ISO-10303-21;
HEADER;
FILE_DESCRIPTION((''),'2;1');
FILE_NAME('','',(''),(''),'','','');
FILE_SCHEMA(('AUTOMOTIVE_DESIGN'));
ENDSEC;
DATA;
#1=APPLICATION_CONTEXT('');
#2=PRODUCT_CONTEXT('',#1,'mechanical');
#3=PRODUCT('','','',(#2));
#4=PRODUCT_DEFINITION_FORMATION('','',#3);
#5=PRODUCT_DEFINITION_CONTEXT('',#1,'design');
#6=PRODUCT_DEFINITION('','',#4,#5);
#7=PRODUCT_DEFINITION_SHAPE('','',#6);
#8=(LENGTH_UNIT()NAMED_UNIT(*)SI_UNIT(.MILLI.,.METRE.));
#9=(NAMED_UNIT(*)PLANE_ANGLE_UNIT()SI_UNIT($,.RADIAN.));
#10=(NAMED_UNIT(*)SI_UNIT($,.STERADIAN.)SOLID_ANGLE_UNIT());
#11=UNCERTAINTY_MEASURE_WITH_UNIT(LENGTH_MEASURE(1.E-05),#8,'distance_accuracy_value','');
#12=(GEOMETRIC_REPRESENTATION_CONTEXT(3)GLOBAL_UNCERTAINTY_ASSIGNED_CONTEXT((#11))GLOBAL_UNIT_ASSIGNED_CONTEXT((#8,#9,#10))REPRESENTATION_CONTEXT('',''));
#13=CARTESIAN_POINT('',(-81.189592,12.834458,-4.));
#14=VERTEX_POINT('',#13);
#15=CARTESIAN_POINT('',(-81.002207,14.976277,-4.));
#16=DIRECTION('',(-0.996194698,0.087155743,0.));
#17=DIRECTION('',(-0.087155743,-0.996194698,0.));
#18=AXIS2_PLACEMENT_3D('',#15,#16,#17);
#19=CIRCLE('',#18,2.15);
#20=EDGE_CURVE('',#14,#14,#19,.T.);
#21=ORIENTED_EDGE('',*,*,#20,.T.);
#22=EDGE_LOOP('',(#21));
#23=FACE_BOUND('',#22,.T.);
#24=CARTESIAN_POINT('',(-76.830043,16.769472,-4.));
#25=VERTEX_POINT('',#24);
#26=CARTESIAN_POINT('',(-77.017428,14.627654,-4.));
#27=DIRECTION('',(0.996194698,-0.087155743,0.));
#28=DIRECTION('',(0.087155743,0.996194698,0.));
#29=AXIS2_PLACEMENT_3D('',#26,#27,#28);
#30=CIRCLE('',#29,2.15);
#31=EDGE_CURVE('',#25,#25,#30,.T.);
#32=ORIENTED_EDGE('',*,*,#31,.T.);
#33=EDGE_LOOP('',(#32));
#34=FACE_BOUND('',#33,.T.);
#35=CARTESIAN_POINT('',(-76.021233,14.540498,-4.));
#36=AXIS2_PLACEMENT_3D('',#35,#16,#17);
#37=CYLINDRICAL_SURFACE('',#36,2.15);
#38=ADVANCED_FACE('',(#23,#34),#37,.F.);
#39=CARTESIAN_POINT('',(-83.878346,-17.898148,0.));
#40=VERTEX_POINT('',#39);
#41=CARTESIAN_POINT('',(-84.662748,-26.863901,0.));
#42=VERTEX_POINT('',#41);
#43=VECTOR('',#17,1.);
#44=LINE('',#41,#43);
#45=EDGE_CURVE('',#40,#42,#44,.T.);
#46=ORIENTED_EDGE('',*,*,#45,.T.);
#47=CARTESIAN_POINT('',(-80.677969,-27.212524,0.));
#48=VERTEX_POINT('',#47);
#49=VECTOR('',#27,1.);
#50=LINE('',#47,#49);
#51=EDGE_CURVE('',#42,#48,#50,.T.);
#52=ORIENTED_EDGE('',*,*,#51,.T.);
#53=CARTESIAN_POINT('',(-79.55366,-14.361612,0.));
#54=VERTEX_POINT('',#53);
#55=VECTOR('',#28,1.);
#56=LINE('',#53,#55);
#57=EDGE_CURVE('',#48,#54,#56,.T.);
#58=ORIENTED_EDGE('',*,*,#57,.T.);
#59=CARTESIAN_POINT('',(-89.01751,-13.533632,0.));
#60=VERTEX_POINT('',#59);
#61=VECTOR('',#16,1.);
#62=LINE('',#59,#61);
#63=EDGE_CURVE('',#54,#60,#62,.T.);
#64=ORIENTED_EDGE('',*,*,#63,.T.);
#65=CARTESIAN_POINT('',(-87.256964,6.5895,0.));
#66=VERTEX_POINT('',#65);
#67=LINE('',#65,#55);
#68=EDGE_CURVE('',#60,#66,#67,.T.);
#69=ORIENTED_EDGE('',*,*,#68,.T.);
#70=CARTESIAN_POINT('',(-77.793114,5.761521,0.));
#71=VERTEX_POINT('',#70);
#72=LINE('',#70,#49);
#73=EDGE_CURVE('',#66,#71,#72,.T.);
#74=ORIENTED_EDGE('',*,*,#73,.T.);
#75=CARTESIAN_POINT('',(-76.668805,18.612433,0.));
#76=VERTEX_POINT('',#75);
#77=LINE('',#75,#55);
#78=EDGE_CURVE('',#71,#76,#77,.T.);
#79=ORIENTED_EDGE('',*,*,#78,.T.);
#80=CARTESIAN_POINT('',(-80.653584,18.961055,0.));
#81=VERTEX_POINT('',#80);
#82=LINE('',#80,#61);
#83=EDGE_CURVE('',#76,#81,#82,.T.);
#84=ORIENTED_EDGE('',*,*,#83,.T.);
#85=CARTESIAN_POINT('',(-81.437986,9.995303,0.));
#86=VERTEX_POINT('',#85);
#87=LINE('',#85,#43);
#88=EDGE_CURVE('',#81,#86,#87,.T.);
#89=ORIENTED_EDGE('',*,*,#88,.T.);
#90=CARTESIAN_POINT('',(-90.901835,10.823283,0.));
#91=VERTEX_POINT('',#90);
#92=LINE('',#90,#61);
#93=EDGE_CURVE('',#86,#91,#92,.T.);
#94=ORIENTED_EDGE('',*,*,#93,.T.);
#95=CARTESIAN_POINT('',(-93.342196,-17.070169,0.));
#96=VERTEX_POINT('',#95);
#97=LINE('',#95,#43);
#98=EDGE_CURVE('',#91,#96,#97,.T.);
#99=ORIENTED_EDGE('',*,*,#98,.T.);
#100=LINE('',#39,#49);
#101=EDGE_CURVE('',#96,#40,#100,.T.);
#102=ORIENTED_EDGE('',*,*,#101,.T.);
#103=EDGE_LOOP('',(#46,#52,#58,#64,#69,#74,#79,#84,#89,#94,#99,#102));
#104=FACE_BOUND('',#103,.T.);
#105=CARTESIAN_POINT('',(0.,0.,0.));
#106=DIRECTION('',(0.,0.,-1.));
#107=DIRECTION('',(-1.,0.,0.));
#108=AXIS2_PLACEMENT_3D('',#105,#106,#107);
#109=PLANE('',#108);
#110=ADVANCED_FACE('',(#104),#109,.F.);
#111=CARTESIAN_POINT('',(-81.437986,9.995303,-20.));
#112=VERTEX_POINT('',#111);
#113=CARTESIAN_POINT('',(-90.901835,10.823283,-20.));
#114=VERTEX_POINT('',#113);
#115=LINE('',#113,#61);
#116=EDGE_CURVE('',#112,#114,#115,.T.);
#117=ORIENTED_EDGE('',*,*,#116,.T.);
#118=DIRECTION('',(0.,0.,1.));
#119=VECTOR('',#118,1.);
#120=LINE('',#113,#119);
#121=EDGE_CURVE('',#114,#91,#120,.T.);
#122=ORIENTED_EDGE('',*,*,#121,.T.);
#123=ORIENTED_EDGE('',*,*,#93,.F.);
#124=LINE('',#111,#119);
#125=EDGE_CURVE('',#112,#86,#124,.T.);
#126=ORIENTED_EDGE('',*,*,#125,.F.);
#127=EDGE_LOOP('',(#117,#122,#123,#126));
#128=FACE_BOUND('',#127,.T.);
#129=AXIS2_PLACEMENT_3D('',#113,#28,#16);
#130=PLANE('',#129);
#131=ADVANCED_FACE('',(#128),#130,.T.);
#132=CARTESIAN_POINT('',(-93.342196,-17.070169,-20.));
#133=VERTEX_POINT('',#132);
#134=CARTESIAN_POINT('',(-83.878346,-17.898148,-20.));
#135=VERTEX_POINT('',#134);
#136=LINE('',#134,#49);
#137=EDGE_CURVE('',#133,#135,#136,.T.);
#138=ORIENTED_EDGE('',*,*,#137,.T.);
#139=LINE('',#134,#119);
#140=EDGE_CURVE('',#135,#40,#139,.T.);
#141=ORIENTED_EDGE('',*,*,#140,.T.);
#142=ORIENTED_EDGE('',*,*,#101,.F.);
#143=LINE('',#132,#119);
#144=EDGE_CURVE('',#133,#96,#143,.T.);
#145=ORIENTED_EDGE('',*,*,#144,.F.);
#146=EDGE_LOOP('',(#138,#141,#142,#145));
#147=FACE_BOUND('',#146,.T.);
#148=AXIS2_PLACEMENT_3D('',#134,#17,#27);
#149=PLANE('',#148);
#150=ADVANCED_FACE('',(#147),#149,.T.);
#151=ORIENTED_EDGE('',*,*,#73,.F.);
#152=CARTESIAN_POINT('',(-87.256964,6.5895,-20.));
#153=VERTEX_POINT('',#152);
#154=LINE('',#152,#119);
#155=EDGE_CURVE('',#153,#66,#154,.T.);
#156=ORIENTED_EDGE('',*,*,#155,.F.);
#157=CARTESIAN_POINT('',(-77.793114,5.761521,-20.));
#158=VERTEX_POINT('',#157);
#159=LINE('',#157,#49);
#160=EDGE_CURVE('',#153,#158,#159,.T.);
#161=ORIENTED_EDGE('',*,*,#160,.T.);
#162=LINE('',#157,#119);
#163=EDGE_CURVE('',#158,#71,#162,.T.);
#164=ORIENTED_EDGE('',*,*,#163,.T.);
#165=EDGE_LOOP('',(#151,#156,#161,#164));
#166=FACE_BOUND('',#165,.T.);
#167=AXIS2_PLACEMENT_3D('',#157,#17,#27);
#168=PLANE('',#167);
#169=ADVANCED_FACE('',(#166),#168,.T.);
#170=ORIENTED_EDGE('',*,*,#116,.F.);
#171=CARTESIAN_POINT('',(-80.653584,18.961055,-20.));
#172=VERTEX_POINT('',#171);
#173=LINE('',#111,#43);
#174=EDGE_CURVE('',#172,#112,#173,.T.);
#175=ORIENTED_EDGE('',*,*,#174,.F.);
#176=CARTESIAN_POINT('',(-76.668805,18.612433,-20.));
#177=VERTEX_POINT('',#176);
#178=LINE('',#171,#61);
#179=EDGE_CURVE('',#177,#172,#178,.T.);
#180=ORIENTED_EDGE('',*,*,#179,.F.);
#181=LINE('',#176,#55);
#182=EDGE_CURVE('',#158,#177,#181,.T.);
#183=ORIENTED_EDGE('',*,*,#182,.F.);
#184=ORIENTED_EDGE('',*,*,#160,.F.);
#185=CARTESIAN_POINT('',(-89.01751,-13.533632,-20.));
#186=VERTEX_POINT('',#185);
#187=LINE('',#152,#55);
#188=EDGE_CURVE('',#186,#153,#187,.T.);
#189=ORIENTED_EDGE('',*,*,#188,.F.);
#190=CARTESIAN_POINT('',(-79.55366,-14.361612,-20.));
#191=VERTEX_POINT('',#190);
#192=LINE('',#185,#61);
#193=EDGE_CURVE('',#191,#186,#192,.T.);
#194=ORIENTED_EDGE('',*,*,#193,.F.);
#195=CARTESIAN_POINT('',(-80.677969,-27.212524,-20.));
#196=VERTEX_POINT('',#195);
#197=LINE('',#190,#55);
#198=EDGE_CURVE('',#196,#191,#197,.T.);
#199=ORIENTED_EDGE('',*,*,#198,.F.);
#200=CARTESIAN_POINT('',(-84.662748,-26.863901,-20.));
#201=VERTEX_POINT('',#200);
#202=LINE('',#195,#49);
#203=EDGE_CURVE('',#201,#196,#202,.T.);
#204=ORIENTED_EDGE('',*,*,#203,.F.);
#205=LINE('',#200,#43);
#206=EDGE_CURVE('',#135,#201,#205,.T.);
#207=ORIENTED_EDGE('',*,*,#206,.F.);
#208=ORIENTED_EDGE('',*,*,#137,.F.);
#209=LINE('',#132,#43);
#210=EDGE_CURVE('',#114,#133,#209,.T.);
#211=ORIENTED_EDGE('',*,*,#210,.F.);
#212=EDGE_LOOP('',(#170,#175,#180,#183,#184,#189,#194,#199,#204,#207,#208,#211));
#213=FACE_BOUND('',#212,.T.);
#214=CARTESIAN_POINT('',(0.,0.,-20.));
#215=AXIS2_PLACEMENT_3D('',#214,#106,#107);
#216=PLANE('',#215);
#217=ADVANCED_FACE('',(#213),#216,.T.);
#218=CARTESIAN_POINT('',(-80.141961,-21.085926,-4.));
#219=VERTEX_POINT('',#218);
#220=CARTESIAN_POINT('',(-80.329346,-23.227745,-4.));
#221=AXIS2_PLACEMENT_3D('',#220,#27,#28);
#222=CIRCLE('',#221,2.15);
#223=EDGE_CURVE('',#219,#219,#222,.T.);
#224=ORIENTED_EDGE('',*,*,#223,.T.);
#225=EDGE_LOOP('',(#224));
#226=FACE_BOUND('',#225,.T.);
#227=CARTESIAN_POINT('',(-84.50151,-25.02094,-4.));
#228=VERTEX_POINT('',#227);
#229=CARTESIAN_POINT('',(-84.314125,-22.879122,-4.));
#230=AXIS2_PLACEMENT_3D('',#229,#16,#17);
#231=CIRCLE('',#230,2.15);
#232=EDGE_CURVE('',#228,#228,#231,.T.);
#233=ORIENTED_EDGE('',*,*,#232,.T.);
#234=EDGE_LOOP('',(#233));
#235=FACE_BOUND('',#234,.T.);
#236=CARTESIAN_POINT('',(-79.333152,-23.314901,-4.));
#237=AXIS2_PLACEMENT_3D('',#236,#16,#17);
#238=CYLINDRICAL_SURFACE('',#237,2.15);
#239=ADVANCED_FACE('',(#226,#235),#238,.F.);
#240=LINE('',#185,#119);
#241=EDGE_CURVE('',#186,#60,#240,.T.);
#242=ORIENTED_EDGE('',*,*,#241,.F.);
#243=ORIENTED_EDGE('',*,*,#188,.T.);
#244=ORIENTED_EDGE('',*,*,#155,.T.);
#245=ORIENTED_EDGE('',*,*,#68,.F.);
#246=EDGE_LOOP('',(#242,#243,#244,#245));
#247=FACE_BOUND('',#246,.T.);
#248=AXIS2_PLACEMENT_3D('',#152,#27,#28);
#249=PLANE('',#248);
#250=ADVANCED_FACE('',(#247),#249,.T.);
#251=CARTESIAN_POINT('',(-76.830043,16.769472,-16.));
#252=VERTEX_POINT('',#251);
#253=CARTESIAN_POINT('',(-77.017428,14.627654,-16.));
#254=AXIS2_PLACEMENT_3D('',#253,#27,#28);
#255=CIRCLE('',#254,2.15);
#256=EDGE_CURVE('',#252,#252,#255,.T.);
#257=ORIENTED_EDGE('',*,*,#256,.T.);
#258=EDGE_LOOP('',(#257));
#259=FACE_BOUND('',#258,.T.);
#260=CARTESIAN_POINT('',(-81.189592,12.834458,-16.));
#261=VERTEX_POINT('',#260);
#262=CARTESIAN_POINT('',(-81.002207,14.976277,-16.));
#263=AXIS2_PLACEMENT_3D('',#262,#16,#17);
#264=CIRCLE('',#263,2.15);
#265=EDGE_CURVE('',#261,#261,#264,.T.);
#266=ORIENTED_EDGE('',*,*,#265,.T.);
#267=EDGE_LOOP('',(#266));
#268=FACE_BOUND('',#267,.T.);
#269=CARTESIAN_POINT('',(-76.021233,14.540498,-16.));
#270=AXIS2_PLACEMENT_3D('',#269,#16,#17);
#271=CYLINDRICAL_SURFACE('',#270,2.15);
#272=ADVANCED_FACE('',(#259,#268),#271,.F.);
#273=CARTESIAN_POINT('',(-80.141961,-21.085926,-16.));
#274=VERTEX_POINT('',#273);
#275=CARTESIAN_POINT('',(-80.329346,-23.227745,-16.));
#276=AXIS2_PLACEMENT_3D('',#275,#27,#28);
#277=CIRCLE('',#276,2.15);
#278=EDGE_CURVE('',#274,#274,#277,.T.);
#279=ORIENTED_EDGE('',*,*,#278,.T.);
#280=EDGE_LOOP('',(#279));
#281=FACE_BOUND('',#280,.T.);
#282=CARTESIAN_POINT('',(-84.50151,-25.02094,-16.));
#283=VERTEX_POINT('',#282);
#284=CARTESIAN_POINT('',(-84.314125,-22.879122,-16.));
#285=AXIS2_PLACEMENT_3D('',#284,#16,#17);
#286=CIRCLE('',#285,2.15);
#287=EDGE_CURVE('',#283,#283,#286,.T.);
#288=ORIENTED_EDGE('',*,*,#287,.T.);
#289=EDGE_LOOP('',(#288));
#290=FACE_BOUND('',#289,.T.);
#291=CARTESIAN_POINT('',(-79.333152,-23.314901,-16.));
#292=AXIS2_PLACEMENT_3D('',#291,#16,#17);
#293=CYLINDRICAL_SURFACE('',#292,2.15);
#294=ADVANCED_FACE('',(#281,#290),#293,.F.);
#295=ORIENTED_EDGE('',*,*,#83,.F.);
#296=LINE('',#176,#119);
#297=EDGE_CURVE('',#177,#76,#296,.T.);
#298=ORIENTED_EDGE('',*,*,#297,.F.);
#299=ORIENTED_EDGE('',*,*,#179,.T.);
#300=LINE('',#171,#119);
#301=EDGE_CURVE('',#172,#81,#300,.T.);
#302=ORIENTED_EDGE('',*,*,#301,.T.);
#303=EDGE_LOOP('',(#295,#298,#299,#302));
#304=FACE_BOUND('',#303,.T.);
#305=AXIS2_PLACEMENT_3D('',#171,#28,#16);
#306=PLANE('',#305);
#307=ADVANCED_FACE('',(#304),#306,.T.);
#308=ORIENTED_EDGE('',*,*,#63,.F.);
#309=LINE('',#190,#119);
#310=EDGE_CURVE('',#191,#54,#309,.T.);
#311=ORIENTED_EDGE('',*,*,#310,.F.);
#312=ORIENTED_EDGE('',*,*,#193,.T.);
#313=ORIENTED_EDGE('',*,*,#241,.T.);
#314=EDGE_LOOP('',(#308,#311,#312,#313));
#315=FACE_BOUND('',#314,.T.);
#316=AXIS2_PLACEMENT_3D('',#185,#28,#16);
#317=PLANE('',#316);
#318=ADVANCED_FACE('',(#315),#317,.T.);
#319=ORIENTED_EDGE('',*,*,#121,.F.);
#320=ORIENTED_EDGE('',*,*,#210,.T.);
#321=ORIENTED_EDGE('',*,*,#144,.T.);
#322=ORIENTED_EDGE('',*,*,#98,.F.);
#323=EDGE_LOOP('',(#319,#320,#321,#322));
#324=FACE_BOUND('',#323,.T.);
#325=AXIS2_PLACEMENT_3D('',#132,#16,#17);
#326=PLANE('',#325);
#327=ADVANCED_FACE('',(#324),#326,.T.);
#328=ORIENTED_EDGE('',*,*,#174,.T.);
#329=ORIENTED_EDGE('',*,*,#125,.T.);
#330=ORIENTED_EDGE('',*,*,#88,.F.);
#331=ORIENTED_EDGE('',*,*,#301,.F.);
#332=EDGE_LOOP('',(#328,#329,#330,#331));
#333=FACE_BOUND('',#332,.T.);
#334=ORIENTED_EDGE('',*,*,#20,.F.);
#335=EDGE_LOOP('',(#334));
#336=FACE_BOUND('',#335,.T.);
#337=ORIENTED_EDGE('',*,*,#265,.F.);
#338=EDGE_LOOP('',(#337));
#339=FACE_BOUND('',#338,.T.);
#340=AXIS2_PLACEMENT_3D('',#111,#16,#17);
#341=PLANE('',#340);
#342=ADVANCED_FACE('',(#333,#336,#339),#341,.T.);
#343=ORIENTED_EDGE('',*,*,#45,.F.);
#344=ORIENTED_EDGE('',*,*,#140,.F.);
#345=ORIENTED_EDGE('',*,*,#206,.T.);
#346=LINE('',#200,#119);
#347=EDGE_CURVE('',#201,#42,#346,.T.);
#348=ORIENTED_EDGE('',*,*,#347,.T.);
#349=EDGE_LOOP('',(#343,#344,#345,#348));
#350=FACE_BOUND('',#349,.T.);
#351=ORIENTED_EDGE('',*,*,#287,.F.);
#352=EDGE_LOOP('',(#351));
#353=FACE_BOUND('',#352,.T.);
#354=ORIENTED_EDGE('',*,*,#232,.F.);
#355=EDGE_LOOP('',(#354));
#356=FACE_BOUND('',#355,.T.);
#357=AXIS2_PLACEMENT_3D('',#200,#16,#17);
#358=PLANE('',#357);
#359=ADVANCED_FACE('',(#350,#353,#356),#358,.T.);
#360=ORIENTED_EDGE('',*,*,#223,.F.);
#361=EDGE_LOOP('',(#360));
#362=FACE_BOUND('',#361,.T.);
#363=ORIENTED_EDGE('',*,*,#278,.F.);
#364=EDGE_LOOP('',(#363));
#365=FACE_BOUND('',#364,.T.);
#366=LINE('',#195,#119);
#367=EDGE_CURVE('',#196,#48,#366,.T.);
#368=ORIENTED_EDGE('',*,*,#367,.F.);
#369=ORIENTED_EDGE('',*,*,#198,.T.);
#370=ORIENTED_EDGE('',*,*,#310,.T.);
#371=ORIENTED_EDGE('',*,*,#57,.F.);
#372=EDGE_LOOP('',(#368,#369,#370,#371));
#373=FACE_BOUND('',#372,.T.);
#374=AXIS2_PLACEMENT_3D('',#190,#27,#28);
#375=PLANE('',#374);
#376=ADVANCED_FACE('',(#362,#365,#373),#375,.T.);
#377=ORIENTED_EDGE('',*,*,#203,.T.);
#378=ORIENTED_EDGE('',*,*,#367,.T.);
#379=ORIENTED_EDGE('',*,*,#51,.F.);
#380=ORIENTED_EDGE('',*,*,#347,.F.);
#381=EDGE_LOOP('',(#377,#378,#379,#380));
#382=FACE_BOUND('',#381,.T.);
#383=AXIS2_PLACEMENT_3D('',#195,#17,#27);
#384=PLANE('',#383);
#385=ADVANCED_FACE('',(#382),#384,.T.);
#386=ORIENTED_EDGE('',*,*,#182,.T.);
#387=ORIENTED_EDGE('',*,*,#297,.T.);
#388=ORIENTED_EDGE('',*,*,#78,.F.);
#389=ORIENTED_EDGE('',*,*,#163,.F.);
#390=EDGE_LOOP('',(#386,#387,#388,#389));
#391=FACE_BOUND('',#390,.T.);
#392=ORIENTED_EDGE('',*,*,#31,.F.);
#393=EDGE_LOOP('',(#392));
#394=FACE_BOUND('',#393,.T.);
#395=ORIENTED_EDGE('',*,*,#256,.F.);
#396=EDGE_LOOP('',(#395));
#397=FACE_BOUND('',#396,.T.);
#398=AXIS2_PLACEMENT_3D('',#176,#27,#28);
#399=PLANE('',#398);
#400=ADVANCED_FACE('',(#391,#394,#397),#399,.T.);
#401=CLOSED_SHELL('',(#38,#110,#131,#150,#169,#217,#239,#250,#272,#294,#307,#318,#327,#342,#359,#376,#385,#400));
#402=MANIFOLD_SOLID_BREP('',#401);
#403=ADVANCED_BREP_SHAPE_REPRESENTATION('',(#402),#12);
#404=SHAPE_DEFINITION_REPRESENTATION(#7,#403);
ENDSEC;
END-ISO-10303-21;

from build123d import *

# Parameters (mm, degrees)
BOSS_EXTRUDE1_DEPTH = 20
SKETCH2_R           = 2.15
CUT_EXTRUDE1_DEPTH  = 5


with BuildPart() as part:
    # Sketch1 → Boss-Extrude1 (new body)
    with BuildSketch(Plane.XY):
        Polygon((-80.653583913, 18.961055491), (-76.668805121, 18.61243252), (-77.793114202, 5.761520915), (-87.256963834, 6.589500471), (-89.017509838, -13.533632431), (-79.553660206, -14.361611987), (-80.677969287, -27.212523592), (-84.662748079, -26.863900621), (-83.878346395, -17.898148338), (-93.342196027, -17.070168782), (-90.90183523, 10.823282764), (-81.437985598, 9.995303208), align=None)
    extrude(amount=-BOSS_EXTRUDE1_DEPTH)

    # Sketch2 → Cut-Extrude1 (cut)
    with BuildSketch(Plane(origin=(-81.687205696, 7.146704453, 0), x_dir=(0, 0, 1), z_dir=(-0.996194698, 0.087155743, 0))):
        with Locations((-4, -30.140520061)):
            Circle(SKETCH2_R)
        with Locations((-16, -30.140520061)):
            Circle(SKETCH2_R)
        with Locations((-4, 7.859479939)):
            Circle(SKETCH2_R)
        with Locations((-16, 7.859479939)):
            Circle(SKETCH2_R)
    extrude(amount=-CUT_EXTRUDE1_DEPTH, mode=Mode.SUBTRACT)


solid = part.part
